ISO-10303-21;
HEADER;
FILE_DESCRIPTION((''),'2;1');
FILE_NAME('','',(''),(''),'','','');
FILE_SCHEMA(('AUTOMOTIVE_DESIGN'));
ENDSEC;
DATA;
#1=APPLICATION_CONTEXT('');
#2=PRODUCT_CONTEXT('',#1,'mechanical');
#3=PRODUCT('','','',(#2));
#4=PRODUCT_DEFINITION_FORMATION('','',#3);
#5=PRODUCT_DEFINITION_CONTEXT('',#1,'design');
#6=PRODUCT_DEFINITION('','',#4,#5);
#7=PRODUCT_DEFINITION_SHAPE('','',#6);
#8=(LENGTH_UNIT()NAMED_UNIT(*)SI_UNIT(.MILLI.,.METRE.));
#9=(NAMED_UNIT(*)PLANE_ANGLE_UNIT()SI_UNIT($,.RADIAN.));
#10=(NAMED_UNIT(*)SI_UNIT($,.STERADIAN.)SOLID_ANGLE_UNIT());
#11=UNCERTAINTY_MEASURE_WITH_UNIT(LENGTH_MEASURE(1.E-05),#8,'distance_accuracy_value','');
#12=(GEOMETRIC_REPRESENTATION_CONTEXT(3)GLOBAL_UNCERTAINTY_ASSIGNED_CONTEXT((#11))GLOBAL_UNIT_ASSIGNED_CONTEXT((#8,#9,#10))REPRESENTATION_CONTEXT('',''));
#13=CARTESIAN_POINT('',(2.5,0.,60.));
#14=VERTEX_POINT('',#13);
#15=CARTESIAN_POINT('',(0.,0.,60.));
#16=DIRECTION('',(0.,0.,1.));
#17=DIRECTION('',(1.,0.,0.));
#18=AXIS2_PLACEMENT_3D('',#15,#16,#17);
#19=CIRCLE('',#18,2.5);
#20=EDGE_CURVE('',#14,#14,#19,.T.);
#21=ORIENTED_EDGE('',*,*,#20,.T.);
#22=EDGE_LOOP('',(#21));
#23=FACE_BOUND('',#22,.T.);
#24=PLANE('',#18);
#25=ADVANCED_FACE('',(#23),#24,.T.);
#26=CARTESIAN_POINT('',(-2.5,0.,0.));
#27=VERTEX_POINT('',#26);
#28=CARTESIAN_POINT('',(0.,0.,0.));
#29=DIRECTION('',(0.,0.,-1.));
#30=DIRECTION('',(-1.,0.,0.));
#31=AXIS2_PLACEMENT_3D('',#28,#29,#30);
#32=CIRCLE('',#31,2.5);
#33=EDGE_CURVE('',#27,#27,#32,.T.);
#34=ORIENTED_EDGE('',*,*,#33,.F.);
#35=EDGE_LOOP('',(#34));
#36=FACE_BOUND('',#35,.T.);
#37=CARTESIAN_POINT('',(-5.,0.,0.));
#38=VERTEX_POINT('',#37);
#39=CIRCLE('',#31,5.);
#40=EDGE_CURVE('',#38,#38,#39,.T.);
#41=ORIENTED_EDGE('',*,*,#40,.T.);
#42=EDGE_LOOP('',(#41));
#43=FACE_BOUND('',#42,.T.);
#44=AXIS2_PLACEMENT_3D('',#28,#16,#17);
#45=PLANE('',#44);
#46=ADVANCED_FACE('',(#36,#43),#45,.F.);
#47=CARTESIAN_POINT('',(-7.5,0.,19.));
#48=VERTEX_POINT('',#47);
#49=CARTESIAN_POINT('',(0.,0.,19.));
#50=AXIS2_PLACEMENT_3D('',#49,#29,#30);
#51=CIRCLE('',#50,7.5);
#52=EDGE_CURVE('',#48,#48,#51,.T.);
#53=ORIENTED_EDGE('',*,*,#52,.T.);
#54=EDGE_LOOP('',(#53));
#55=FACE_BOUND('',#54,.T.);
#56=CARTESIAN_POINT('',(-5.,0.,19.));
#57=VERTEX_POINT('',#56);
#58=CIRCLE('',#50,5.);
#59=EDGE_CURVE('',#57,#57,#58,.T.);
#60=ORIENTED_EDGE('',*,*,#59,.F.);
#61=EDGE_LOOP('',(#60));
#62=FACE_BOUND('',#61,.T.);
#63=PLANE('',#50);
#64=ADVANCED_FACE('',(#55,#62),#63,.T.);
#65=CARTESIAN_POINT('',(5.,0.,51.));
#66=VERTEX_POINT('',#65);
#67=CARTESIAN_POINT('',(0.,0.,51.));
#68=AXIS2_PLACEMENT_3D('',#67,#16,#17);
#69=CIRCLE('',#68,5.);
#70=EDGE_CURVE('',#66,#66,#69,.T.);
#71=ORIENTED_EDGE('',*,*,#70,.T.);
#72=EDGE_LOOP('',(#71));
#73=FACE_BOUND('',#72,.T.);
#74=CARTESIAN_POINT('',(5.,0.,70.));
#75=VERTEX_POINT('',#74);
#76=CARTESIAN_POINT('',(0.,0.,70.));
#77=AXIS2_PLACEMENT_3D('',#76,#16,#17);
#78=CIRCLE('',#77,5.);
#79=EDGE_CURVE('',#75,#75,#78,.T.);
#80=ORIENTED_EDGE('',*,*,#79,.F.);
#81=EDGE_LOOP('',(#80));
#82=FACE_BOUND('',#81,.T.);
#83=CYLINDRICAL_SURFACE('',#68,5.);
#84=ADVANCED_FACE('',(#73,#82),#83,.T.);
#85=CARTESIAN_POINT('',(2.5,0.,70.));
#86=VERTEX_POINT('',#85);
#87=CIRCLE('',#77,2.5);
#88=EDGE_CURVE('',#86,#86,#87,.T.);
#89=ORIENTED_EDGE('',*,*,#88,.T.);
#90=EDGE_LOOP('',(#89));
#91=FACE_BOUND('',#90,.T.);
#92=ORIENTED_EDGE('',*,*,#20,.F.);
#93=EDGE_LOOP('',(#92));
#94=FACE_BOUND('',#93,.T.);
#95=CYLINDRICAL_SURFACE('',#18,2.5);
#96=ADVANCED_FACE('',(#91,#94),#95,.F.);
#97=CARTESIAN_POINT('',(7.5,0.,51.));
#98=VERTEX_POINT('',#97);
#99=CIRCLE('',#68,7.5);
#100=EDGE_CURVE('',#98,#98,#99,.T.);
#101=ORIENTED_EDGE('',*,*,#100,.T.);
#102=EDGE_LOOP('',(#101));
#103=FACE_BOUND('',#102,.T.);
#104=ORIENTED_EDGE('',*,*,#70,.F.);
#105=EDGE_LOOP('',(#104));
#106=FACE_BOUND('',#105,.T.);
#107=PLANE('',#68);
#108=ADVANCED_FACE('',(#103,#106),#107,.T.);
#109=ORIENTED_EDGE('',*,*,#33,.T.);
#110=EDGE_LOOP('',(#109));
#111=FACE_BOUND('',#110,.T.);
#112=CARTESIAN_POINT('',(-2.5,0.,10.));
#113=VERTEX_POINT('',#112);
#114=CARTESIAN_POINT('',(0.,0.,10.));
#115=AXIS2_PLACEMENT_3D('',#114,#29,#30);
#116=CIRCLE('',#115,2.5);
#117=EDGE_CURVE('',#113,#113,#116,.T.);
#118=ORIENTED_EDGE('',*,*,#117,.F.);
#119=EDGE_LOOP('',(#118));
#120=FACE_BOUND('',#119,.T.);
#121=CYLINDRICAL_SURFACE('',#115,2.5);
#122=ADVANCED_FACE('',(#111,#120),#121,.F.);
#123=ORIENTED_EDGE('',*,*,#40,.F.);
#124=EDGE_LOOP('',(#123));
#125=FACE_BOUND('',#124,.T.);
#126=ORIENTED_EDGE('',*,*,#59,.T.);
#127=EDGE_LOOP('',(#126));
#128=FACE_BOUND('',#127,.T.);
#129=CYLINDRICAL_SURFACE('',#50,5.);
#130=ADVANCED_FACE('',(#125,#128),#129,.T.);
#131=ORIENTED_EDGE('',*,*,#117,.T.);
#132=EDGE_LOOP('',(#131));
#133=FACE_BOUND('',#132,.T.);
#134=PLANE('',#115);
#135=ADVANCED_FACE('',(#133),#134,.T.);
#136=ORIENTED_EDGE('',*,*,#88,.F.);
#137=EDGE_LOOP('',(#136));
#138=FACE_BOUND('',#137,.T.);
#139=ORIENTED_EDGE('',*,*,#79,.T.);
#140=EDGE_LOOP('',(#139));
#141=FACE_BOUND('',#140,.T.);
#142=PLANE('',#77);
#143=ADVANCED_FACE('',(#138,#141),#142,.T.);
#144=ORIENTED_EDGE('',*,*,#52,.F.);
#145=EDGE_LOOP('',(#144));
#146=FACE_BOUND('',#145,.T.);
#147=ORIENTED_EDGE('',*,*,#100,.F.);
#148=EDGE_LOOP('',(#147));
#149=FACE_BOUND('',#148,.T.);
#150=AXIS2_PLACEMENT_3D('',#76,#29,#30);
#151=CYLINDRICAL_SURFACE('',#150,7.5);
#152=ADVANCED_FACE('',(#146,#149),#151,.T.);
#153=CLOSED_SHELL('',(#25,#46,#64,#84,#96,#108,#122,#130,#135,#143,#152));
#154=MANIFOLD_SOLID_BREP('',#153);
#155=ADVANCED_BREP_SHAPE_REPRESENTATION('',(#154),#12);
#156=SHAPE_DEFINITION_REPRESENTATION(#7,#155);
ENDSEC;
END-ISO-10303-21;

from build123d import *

# Parameters (mm, degrees)
SKETCH1_R           = 7.5
BOSS_EXTRUDE1_DEPTH = 70
SKETCH2_R           = 10.194447781
SKETCH2_R_2         = 5
CUT_EXTRUDE1_DEPTH  = 19
CUT_EXTRUDE2_START  = -19
SKETCH3_R           = 9.951910859
SKETCH3_R_2         = 5
CUT_EXTRUDE2_DEPTH  = 19
SKETCH4_R           = 2.5
CUT_EXTRUDE3_DEPTH  = 10
CUT_EXTRUDE4_START  = -10
SKETCH5_R           = 2.5
CUT_EXTRUDE4_DEPTH  = 10


with BuildPart() as part:
    # Sketch1 → Boss-Extrude1 (new body)
    with BuildSketch(Plane.XY):
        Circle(SKETCH1_R)
    extrude(amount=BOSS_EXTRUDE1_DEPTH)

    # Sketch2 → Cut-Extrude1 (cut)
    with BuildSketch(Plane(origin=(0, 0, 0), x_dir=(-1, 0, 0), z_dir=(0, 0, -1))):
        Circle(SKETCH2_R)
        Circle(SKETCH2_R_2, mode=Mode.SUBTRACT)
    extrude(amount=-CUT_EXTRUDE1_DEPTH, mode=Mode.SUBTRACT)

    # Sketch3 → Cut-Extrude2 (cut)
    with BuildSketch(Plane.XY.offset(70).offset(CUT_EXTRUDE2_START)):
        Circle(SKETCH3_R)
        with Locations(Location((0, 0, 0), (0, 0, 180))):
            Circle(SKETCH3_R_2, mode=Mode.SUBTRACT)
    extrude(amount=CUT_EXTRUDE2_DEPTH, mode=Mode.SUBTRACT)

    # Sketch4 → Cut-Extrude3 (cut)
    with BuildSketch(Plane.XY.offset(70)):
        Circle(SKETCH4_R)
    extrude(amount=-CUT_EXTRUDE3_DEPTH, mode=Mode.SUBTRACT)

    # Sketch5 → Cut-Extrude4 (cut)
    with BuildSketch(Plane(origin=(0, 0, 0), x_dir=(-1, 0, 0), z_dir=(0, 0, -1)).offset(CUT_EXTRUDE4_START)):
        with Locations(Location((0, 0, 0), (0, 0, 180))):
            Circle(SKETCH5_R)
    extrude(amount=CUT_EXTRUDE4_DEPTH, mode=Mode.SUBTRACT)


solid = part.part
